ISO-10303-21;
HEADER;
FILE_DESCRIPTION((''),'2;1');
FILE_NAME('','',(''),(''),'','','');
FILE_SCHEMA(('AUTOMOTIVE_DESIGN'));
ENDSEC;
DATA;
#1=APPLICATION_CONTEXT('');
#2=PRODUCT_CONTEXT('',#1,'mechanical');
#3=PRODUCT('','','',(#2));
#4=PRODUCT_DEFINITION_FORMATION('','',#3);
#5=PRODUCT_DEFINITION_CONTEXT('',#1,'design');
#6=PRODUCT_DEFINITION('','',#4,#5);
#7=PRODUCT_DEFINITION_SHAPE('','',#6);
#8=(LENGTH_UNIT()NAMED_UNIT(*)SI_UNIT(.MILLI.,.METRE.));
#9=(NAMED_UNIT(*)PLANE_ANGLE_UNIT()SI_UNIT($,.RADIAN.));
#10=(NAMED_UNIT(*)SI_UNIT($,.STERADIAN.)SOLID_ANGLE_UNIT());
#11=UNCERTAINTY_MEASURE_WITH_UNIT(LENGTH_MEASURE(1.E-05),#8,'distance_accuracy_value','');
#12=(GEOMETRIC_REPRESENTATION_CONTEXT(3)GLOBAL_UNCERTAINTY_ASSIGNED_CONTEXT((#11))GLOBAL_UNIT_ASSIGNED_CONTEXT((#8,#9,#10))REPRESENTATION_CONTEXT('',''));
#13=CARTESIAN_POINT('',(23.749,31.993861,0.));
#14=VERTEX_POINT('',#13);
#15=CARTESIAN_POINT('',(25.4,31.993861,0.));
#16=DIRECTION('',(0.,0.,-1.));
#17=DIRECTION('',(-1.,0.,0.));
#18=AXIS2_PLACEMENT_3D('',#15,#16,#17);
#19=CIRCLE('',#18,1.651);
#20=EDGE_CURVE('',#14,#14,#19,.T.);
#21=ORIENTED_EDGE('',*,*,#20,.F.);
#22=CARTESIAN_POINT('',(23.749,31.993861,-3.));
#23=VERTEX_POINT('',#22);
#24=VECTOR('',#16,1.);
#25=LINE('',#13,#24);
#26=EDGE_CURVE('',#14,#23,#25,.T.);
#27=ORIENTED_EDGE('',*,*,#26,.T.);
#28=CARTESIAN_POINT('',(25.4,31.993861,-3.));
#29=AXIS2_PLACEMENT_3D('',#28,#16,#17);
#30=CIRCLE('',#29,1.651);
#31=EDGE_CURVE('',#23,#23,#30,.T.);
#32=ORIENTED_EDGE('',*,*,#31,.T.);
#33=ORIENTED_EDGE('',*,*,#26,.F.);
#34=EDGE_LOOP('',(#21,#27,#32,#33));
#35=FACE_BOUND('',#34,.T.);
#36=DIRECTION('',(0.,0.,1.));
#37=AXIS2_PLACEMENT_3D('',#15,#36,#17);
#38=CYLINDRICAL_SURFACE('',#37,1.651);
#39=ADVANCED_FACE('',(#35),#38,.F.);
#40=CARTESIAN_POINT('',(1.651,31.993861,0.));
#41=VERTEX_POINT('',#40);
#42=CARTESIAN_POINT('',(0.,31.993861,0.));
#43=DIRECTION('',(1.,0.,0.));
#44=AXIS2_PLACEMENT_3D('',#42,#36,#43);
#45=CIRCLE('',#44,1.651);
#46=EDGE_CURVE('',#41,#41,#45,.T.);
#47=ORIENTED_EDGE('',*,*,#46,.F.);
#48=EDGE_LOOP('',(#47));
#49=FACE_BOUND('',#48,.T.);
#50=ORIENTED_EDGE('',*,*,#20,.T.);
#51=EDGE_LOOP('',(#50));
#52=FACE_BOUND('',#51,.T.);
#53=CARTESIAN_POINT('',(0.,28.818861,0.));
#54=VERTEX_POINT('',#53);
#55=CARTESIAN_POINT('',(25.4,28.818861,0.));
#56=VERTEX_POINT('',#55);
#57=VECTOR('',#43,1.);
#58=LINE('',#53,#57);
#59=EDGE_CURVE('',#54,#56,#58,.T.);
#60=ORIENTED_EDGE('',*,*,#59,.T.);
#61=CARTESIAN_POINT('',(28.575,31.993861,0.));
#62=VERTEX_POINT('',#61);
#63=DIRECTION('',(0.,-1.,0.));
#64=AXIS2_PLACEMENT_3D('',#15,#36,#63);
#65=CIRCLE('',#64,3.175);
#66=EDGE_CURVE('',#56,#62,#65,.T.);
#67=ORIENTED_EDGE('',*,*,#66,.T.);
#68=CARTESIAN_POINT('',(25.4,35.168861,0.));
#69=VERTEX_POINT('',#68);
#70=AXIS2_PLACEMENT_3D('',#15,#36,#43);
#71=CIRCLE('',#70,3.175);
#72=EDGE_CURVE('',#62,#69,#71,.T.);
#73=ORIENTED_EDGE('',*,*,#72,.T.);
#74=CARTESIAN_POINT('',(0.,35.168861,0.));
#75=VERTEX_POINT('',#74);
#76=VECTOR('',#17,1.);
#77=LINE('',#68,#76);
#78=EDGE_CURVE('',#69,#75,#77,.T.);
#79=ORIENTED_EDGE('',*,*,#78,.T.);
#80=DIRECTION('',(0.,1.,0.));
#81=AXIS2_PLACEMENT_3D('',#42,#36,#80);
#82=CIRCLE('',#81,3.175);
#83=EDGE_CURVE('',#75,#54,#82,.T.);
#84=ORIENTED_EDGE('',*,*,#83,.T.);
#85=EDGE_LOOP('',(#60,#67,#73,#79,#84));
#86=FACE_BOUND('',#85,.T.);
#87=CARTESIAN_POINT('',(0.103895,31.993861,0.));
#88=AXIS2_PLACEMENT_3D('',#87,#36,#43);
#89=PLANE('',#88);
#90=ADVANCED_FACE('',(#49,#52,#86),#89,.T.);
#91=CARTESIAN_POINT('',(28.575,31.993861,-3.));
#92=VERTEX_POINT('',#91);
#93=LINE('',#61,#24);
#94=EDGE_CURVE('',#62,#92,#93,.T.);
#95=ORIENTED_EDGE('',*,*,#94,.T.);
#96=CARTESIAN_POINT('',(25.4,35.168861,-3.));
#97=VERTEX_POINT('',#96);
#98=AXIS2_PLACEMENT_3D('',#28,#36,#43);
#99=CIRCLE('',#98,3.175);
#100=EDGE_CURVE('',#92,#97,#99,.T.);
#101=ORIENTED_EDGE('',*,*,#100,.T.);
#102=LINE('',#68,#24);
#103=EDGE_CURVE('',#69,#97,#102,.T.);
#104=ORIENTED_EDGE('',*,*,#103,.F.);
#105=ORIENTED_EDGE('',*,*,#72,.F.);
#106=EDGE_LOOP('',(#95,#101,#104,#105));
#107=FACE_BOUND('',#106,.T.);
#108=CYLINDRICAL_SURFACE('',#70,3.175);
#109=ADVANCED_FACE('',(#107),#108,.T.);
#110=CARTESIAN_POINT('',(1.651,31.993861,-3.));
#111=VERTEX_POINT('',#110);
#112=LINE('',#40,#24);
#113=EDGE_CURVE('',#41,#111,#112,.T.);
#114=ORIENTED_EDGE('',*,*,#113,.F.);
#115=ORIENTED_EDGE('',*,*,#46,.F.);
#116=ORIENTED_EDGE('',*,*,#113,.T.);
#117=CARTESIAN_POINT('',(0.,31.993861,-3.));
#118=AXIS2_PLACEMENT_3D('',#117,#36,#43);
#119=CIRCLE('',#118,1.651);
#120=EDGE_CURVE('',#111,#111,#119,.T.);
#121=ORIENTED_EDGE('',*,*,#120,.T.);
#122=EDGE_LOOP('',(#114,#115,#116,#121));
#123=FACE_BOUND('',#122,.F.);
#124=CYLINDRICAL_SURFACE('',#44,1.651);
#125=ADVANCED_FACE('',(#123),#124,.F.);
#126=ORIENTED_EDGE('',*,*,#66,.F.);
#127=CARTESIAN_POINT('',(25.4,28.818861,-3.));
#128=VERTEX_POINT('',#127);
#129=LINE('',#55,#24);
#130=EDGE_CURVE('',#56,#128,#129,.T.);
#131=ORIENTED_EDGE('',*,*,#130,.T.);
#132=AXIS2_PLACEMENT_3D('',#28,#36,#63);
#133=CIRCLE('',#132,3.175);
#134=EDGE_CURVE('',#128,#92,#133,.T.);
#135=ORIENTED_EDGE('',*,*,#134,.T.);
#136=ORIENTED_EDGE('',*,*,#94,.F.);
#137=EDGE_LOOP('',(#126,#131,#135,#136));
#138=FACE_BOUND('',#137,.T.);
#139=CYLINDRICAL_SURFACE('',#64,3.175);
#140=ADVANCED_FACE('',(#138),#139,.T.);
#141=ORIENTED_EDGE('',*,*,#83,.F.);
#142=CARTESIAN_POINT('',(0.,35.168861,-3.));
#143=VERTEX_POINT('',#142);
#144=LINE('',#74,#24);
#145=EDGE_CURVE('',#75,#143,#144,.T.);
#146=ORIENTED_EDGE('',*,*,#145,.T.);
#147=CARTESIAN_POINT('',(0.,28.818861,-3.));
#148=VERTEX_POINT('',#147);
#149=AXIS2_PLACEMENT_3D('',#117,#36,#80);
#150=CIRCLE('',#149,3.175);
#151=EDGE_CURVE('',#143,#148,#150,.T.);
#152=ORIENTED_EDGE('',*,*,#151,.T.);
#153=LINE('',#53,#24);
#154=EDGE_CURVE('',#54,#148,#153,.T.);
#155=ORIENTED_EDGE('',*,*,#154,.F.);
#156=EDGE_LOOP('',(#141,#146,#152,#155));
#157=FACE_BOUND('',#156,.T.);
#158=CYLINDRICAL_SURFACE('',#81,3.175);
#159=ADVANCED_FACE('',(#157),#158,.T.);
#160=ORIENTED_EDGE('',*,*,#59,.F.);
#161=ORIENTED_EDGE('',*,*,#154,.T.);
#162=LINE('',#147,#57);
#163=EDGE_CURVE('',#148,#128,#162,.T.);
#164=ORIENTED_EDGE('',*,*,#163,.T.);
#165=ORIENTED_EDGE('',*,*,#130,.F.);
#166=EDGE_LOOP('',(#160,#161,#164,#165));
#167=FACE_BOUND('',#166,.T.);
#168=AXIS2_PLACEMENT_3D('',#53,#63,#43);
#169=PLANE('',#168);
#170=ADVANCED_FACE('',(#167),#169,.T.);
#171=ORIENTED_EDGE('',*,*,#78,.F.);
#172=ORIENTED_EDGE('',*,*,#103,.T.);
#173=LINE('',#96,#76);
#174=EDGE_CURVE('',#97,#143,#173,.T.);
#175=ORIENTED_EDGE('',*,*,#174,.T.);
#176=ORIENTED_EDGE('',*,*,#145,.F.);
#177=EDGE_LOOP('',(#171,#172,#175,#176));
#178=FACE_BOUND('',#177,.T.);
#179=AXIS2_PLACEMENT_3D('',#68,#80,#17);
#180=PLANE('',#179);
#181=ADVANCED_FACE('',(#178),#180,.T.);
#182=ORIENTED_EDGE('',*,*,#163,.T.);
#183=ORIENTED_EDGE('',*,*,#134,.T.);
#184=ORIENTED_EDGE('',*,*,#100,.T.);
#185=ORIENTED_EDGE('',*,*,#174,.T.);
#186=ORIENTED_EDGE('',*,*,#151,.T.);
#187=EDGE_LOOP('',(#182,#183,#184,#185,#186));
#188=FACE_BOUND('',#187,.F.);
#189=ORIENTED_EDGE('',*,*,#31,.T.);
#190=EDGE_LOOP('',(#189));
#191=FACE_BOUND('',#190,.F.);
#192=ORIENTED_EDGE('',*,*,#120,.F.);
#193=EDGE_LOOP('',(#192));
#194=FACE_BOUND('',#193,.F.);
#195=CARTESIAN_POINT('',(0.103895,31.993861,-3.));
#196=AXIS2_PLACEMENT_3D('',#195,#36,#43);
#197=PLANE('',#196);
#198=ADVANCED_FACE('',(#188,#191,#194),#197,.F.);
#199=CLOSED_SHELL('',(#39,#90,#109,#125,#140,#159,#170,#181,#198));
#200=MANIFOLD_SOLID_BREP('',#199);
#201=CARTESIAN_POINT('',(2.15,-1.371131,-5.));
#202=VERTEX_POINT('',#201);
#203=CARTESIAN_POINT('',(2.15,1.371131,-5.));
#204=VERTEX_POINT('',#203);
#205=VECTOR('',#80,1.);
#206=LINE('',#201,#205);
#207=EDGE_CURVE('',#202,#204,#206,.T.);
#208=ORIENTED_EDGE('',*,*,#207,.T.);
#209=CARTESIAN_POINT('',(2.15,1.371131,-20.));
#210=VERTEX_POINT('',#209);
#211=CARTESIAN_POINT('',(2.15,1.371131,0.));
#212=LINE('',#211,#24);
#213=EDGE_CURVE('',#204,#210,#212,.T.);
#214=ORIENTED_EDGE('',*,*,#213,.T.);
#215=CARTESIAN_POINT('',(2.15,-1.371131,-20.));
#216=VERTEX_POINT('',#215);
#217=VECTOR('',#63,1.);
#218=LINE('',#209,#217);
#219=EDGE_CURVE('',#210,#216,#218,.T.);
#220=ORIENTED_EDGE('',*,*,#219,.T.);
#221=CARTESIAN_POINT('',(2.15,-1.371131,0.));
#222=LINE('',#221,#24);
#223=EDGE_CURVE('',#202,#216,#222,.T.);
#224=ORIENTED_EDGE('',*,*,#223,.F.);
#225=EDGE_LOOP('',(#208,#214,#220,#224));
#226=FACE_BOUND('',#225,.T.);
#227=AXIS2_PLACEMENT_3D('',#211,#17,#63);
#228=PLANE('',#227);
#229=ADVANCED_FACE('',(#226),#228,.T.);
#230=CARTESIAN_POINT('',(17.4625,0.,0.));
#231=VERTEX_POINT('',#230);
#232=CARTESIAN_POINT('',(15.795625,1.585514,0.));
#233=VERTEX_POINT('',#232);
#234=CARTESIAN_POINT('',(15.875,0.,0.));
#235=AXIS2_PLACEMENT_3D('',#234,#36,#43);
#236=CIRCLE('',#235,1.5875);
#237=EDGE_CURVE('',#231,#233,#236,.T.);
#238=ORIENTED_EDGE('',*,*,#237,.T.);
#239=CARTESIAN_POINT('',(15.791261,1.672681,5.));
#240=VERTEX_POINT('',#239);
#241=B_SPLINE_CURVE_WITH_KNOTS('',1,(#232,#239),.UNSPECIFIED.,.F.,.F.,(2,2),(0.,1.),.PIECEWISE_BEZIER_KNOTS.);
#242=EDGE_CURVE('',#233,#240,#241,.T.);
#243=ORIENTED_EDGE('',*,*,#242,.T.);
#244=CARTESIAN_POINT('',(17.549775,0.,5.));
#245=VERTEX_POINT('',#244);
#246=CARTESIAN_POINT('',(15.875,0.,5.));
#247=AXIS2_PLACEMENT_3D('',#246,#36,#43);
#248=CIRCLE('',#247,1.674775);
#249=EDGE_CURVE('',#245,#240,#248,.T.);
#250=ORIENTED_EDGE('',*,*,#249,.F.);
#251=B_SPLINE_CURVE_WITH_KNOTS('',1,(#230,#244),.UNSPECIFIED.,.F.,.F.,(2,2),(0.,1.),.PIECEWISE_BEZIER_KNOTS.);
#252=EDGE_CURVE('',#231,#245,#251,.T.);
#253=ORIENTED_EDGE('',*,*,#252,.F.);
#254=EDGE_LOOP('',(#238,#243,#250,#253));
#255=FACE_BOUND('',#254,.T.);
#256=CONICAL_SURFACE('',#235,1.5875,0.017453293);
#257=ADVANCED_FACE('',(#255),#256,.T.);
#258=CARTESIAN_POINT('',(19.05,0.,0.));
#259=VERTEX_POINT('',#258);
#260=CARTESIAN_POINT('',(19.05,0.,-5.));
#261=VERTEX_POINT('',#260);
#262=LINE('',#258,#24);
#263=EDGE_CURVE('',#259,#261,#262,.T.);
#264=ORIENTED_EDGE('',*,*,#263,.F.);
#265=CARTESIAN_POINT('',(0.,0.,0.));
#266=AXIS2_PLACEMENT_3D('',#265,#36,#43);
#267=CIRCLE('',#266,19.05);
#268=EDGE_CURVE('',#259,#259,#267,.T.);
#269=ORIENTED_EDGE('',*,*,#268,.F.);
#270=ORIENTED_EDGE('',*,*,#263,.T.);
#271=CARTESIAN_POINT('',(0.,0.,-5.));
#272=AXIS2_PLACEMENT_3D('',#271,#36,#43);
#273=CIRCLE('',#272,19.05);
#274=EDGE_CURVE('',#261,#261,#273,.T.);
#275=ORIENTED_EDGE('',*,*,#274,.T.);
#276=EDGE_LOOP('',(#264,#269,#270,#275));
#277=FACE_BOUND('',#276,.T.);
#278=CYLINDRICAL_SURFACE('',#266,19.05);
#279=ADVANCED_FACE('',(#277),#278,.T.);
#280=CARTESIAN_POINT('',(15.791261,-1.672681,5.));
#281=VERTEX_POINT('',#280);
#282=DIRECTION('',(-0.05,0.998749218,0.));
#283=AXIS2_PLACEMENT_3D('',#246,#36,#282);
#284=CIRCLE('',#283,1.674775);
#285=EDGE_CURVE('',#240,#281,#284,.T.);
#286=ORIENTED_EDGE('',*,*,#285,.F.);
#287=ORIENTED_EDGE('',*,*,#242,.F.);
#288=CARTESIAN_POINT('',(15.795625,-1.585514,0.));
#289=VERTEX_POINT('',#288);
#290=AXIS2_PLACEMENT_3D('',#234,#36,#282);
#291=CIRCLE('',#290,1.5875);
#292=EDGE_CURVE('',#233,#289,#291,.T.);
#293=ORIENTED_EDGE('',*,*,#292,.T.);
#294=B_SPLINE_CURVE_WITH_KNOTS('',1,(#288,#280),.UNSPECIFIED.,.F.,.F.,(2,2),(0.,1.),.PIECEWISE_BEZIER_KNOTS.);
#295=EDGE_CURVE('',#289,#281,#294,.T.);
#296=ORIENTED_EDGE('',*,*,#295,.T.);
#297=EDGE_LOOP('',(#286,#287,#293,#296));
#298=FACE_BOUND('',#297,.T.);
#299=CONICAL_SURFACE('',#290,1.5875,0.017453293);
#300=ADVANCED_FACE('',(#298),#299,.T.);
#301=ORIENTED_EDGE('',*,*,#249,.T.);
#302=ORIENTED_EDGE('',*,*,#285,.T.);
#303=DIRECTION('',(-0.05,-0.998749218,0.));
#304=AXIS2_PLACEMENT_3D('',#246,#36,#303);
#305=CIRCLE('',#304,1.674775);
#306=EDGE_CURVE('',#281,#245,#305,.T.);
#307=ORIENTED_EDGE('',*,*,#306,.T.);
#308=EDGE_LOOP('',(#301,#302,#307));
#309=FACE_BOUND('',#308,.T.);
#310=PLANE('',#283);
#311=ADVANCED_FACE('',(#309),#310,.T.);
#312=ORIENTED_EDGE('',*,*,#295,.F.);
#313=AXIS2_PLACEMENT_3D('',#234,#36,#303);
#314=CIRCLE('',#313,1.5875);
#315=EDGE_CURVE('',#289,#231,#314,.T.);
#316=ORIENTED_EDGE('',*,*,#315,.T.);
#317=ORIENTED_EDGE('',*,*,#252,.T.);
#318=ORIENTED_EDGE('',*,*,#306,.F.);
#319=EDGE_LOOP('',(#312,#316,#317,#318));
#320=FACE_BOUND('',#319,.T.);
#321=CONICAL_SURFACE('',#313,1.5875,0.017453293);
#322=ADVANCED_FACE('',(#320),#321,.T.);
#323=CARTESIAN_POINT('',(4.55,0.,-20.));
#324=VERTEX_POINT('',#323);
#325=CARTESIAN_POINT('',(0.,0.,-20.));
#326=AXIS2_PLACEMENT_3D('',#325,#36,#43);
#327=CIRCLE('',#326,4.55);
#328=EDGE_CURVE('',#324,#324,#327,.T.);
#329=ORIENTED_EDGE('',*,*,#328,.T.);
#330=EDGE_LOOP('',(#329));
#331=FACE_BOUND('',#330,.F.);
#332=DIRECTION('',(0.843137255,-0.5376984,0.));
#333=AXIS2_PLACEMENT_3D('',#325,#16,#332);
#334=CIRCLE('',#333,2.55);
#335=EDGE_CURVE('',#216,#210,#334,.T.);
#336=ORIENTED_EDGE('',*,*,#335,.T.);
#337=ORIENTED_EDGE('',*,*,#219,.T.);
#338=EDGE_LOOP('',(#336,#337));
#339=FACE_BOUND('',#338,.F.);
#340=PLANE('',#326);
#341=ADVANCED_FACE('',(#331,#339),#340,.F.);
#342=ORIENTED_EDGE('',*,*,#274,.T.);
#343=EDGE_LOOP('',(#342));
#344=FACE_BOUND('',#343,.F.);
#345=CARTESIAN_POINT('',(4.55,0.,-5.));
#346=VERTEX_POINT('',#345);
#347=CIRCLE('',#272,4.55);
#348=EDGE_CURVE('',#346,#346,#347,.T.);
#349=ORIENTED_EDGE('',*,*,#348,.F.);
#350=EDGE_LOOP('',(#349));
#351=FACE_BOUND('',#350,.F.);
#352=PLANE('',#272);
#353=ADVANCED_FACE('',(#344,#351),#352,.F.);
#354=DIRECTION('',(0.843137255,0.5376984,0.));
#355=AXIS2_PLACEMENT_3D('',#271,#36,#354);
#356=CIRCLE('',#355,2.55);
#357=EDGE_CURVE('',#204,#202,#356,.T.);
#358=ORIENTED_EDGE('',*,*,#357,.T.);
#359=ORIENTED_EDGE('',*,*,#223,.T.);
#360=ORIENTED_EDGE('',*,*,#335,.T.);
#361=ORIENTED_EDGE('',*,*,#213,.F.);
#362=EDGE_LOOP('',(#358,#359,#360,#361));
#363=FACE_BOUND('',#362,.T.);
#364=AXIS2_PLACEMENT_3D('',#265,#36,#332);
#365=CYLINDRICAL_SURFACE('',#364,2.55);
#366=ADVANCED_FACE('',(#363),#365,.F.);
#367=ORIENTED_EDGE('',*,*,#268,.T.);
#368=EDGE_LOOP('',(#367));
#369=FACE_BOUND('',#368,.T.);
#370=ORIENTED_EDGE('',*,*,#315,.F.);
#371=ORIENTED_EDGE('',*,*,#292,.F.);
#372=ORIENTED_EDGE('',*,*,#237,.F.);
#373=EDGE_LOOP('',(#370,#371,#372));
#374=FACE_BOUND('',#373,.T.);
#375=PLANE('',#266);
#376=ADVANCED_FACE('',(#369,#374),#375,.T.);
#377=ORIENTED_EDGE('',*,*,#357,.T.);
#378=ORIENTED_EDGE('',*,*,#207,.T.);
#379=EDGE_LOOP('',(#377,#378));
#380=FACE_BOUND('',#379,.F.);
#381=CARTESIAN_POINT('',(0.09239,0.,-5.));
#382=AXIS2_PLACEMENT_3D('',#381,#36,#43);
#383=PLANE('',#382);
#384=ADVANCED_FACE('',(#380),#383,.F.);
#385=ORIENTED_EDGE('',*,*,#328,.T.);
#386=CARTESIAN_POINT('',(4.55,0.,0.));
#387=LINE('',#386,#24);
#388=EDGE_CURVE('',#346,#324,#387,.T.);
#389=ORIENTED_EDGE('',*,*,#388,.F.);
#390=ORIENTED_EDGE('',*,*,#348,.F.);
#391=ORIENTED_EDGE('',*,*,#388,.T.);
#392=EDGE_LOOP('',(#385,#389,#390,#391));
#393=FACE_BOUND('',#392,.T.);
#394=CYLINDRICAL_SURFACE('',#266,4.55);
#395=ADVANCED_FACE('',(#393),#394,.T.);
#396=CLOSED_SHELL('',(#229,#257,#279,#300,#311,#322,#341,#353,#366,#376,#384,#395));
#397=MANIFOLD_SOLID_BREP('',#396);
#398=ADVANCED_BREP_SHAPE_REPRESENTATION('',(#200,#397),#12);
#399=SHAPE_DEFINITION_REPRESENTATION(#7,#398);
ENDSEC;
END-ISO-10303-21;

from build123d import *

# Parameters (mm, degrees)
F1_DEPTH = 5
F0_R     = 19.05
F0_R_2   = 4.55
F2_DEPTH = 20
F4_DEPTH = 5
F4_TAPER = -1
F0_R_3   = 1.651
F5_DEPTH = 3


with BuildPart() as f1:
    # F0 (on Top) → F1 (new body)
    with BuildSketch(Plane.XY):
        with BuildLine():
            Line((2.15, -1.3711309201), (2.15, 1.3711309201))
            ThreePointArc((2.15, 1.3711309201), (-2.55, 0), (2.15, -1.3711309201))
        make_face()
    extrude(amount=-F1_DEPTH)



with BuildPart() as f1b:
    # F0 (on Top) → F1, piece 2 (new body)
    with BuildSketch(Plane.XY):
        Circle(F0_R)
        Circle(F0_R_2, mode=Mode.SUBTRACT)
    extrude(amount=-F1_DEPTH)


with BuildPart() as f1_1:
    add(f1.part)

    add(f1b.part)  # F2 merges F1b
    # F0 (on Top) → F2 (join)
    with BuildSketch(Plane.XY):
        Circle(F0_R_2)
        with BuildLine():
            ThreePointArc((2.15, -1.3711309201), (-2.55, 0), (2.15, 1.3711309201))
            Line((2.15, 1.3711309201), (2.15, -1.3711309201))
        make_face(mode=Mode.SUBTRACT)
    extrude(amount=-F2_DEPTH)

    # F3 (on face) → F4 (join)
    with BuildSketch(Plane.XY):
        with BuildLine():
            ThreePointArc((15.795625, -1.5855143832), (15.8551438321, -0.79375), (15.875, 0))
            ThreePointArc((15.875, 0), (15.8551438321, 0.79375), (15.795625, 1.5855143832))
            ThreePointArc((15.795625, 1.5855143832), (14.2875, 0), (15.795625, -1.5855143832))
        make_face()
        with BuildLine():
            ThreePointArc((15.795625, 1.5855143832), (15.8551438321, 0.79375), (15.875, 0))
            ThreePointArc((15.875, 0), (15.8551438321, -0.79375), (15.795625, -1.5855143832))
            ThreePointArc((15.795625, -1.5855143832), (16.9691088697, -1.1502530292), (17.4625, 0))
            ThreePointArc((17.4625, 0), (16.9691088697, 1.1502530292), (15.795625, 1.5855143832))
        make_face()
    extrude(amount=F4_DEPTH, taper=F4_TAPER)


with BuildPart() as f5:
    # F0 (on Top) → F5 (new body)
    with BuildSketch(Plane.XY):
        with BuildLine():
            ThreePointArc((0, 28.8188606562), (2.2450640303, 29.7487966259), (3.175, 31.9938606562))
            ThreePointArc((3.175, 31.9938606562), (2.2450640303, 34.2389246864), (0, 35.1688606562))
            ThreePointArc((0, 35.1688606562), (-3.175, 31.9938606562), (0, 28.8188606562))
        make_face()
        with Locations((0, 31.9938606562)):
            Circle(F0_R_3, mode=Mode.SUBTRACT)
        with BuildLine():
            Line((22.225, 31.9938606562), (3.175, 31.9938606562))
            ThreePointArc((3.175, 31.9938606562), (2.2450640303, 29.7487966259), (0, 28.8188606562))
            Line((0, 28.8188606562), (25.4, 28.8188606562))
            ThreePointArc((25.4, 28.8188606562), (23.1549359697, 29.7487966259), (22.225, 31.9938606562))
        make_face()
        with BuildLine():
            ThreePointArc((0, 35.1688606562), (2.2450640303, 34.2389246864), (3.175, 31.9938606562))
            Line((3.175, 31.9938606562), (22.225, 31.9938606562))
            ThreePointArc((22.225, 31.9938606562), (23.1549359697, 34.2389246864), (25.4, 35.1688606562))
            Line((25.4, 35.1688606562), (0, 35.1688606562))
        make_face()
        with BuildLine():
            ThreePointArc((25.4, 35.1688606562), (23.1549359697, 34.2389246864), (22.225, 31.9938606562))
            ThreePointArc((22.225, 31.9938606562), (23.1549359697, 29.7487966259), (25.4, 28.8188606562))
            ThreePointArc((25.4, 28.8188606562), (27.6450640303, 29.7487966259), (28.575, 31.9938606562))
            ThreePointArc((28.575, 31.9938606562), (27.6450640303, 34.2389246864), (25.4, 35.1688606562))
        make_face()
        with BuildLine():
            ThreePointArc((27.051, 31.9938606562), (25.4, 30.3428606562), (23.749, 31.9938606562))
            ThreePointArc((23.749, 31.9938606562), (25.4, 33.6448606562), (27.051, 31.9938606562))
        make_face(mode=Mode.SUBTRACT)
    extrude(amount=-F5_DEPTH)


solid = Compound([f1_1.part, f5.part])
